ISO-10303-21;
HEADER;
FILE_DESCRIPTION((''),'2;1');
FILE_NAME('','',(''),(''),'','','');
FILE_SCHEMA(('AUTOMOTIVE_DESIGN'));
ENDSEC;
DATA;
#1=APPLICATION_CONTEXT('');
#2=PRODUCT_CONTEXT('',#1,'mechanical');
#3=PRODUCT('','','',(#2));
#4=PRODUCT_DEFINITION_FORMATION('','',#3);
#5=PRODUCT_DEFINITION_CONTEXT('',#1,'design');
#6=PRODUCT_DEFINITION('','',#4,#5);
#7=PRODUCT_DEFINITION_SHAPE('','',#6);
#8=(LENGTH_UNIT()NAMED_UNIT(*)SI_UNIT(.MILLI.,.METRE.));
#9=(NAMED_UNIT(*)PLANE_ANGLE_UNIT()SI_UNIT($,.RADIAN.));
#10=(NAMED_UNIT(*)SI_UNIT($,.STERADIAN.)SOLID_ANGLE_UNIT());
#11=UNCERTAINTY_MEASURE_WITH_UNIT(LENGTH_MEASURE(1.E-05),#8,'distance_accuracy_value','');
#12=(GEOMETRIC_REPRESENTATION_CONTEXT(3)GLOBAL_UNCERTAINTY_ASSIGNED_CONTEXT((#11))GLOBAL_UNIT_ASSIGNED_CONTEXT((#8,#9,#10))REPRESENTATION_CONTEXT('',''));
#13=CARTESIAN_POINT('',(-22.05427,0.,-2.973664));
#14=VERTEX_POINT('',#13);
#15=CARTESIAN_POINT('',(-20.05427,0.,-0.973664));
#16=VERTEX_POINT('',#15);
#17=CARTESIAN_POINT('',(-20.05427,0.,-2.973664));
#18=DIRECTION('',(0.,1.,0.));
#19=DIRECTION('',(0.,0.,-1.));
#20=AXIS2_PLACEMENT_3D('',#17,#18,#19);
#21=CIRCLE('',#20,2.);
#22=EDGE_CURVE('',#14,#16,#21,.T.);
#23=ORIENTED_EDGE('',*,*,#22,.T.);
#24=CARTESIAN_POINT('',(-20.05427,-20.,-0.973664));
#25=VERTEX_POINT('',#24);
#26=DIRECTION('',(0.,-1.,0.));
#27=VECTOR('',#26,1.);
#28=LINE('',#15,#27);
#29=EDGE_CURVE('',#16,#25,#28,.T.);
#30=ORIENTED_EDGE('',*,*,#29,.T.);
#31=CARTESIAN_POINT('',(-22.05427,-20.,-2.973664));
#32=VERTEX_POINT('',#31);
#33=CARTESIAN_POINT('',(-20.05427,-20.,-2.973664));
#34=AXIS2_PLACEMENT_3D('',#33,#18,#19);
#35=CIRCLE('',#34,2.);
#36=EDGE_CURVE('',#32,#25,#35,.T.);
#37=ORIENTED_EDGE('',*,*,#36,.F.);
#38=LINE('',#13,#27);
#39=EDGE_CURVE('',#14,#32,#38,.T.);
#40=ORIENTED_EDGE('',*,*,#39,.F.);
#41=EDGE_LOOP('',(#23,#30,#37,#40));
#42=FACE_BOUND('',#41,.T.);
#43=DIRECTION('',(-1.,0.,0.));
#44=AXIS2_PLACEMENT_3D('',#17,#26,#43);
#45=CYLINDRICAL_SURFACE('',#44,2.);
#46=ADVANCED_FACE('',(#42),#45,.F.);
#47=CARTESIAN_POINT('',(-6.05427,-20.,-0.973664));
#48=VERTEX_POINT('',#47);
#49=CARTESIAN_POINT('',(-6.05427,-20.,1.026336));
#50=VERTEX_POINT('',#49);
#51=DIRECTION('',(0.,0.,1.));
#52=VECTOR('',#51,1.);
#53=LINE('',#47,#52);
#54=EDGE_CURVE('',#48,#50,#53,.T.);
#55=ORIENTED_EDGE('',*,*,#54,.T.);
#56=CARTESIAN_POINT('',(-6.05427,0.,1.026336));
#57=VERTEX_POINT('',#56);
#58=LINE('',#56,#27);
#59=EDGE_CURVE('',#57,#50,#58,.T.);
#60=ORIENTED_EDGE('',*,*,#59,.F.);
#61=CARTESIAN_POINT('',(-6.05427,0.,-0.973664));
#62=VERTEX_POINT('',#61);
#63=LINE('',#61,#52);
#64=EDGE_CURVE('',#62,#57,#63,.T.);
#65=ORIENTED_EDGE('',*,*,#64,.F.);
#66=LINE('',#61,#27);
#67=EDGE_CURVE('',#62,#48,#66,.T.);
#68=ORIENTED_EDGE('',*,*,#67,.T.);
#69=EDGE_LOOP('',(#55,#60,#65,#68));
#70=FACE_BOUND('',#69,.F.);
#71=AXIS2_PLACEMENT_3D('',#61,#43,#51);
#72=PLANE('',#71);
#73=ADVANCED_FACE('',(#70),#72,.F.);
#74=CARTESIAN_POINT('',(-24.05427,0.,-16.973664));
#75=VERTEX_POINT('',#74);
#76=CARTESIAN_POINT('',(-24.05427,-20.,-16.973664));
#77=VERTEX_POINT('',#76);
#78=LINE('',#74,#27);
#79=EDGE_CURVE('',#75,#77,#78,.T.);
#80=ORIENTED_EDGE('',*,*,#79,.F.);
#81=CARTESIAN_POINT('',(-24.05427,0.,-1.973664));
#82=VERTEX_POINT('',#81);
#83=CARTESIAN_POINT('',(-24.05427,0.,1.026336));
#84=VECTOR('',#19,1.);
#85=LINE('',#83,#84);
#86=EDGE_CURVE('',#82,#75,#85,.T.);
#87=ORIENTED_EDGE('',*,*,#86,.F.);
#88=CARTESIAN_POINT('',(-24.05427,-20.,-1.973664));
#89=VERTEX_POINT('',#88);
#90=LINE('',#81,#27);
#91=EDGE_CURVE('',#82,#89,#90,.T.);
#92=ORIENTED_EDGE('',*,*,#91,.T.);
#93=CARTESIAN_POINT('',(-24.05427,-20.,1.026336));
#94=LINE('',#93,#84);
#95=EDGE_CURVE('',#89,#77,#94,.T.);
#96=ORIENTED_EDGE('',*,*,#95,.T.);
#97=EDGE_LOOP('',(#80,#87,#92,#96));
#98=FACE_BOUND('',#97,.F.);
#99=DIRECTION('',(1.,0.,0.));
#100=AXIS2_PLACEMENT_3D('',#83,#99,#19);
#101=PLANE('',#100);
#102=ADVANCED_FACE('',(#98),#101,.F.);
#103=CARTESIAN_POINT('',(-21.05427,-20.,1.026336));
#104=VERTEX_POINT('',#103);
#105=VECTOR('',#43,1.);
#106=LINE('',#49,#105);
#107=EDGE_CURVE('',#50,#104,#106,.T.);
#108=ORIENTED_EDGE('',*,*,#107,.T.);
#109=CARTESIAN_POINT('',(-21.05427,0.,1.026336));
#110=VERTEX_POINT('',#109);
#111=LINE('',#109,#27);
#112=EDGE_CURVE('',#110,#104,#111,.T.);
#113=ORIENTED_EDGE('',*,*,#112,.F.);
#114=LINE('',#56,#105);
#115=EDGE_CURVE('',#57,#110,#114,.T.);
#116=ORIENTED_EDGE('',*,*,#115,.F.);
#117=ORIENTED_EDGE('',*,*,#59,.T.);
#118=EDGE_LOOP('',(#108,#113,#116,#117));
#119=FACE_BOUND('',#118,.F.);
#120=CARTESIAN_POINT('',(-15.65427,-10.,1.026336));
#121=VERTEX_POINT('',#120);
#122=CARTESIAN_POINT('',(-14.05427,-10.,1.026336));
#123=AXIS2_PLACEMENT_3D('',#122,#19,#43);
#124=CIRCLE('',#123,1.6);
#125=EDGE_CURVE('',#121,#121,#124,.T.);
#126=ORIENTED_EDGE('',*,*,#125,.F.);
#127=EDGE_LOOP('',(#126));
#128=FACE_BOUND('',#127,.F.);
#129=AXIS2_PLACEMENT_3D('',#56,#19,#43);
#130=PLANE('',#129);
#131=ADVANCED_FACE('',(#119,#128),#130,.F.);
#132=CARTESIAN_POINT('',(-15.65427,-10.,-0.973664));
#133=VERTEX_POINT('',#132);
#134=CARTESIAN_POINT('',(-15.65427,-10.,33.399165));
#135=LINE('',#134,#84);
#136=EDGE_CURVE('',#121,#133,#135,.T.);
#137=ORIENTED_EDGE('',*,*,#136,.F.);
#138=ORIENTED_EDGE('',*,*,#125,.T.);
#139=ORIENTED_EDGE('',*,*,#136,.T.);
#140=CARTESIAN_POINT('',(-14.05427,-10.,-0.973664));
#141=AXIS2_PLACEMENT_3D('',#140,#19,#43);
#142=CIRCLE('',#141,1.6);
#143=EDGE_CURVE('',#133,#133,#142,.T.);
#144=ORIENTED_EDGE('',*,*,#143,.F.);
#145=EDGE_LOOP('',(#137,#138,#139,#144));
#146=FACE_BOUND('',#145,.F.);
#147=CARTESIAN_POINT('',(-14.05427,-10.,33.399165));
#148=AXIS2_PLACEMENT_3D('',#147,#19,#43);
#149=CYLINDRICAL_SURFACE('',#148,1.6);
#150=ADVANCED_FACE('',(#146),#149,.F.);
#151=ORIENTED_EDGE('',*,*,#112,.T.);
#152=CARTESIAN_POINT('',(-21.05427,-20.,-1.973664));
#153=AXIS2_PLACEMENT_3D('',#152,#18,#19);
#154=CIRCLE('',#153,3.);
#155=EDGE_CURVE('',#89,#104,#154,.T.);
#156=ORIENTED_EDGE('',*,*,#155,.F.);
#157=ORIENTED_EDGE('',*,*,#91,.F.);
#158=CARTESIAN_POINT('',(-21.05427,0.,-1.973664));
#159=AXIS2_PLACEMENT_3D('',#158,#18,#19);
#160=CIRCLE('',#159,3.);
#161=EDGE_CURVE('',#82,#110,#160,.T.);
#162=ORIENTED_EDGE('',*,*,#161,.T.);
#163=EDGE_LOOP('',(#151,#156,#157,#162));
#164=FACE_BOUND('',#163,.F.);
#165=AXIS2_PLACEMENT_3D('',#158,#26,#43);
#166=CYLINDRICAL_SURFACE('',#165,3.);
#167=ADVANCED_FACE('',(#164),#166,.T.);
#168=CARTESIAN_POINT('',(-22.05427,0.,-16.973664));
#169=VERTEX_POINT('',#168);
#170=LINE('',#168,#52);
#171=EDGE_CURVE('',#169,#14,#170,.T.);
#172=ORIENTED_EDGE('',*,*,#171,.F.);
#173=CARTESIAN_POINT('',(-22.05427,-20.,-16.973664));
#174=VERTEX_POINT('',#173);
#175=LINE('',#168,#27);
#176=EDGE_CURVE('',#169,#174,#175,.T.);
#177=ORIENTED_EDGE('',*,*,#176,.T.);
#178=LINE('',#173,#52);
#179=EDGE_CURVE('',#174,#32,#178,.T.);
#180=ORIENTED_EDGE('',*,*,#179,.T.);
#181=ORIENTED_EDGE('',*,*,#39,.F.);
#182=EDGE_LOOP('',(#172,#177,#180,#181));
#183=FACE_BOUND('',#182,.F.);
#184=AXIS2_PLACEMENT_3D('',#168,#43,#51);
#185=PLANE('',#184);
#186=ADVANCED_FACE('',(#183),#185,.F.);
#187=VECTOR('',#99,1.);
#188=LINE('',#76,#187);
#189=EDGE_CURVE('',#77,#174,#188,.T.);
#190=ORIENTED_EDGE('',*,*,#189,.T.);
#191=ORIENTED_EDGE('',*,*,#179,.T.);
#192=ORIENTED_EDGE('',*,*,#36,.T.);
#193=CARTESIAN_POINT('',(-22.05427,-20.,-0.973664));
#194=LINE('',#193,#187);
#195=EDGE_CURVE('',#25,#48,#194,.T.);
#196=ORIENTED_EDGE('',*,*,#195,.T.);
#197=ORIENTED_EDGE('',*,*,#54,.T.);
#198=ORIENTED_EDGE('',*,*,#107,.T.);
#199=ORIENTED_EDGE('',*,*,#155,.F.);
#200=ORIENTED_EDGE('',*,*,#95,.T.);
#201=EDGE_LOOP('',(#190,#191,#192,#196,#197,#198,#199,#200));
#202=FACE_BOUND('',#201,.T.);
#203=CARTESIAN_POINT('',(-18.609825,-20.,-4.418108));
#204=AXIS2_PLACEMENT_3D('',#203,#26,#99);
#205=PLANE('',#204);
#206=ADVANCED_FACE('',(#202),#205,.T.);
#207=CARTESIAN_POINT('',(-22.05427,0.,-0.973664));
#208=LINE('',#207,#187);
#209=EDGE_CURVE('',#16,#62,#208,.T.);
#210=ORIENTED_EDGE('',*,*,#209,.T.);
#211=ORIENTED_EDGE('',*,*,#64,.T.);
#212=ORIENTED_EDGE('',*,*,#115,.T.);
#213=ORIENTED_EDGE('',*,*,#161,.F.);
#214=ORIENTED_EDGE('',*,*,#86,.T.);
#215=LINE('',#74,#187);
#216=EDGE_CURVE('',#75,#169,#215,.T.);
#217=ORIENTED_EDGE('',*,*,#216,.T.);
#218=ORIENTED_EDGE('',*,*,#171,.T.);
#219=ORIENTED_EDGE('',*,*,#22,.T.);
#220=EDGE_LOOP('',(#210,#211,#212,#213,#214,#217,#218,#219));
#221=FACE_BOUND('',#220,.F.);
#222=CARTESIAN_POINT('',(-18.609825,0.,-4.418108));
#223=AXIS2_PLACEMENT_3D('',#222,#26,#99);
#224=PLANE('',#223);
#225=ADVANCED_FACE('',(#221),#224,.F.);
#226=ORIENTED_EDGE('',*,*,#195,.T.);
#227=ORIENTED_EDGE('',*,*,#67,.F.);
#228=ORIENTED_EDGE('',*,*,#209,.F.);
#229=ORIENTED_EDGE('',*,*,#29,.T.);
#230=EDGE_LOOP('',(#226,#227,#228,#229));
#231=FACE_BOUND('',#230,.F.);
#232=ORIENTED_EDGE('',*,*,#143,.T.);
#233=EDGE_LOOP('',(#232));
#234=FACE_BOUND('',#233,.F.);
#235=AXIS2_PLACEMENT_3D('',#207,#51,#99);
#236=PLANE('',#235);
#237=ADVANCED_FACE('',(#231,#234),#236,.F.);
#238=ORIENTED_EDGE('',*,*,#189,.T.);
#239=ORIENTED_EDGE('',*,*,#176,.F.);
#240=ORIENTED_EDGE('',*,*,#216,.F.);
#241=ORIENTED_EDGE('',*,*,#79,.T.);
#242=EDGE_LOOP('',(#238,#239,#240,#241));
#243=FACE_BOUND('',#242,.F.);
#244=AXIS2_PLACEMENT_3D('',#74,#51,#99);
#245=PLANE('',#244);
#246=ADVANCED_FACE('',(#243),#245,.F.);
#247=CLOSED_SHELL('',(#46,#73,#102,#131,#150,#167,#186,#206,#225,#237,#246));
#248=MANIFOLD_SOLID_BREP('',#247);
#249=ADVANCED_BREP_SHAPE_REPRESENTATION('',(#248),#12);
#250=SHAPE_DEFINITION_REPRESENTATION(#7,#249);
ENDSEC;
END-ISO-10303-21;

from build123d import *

# Parameters (mm, degrees)
F1_DEPTH = 20
F3_D     = 3.2
F4_R     = 3
F5_R     = 2


with BuildPart() as f1:
    # F0 (on Front) → F1 (new body)
    with BuildSketch(Plane.XZ):
        Polygon((-24.0542695144, 1.0263364321), (-24.0542695144, -16.9736635679), (-22.0542695144, -16.9736635679), (-22.0542695144, -0.9736635679), (-6.0542695144, -0.9736635679), (-6.0542695144, 1.0263364321), align=None)
    extrude(amount=F1_DEPTH)

    # F3 (through all)
    with Locations(Plane.XY.offset(1.0263364321)):
        with Locations((-14.0542695144, -10)):
            Hole(F3_D / 2)

    # F4
    f4_edges = [f1.edges().sort_by_distance(p)[0] for p in [
        (-24.05427, -10, 1.026336),
    ]]
    fillet(f4_edges, radius=F4_R)

    # F5
    f5_edges = [f1.edges().sort_by_distance(p)[0] for p in [
        (-22.05427, -10, -0.973664),
    ]]
    fillet(f5_edges, radius=F5_R)


solid = f1.part
